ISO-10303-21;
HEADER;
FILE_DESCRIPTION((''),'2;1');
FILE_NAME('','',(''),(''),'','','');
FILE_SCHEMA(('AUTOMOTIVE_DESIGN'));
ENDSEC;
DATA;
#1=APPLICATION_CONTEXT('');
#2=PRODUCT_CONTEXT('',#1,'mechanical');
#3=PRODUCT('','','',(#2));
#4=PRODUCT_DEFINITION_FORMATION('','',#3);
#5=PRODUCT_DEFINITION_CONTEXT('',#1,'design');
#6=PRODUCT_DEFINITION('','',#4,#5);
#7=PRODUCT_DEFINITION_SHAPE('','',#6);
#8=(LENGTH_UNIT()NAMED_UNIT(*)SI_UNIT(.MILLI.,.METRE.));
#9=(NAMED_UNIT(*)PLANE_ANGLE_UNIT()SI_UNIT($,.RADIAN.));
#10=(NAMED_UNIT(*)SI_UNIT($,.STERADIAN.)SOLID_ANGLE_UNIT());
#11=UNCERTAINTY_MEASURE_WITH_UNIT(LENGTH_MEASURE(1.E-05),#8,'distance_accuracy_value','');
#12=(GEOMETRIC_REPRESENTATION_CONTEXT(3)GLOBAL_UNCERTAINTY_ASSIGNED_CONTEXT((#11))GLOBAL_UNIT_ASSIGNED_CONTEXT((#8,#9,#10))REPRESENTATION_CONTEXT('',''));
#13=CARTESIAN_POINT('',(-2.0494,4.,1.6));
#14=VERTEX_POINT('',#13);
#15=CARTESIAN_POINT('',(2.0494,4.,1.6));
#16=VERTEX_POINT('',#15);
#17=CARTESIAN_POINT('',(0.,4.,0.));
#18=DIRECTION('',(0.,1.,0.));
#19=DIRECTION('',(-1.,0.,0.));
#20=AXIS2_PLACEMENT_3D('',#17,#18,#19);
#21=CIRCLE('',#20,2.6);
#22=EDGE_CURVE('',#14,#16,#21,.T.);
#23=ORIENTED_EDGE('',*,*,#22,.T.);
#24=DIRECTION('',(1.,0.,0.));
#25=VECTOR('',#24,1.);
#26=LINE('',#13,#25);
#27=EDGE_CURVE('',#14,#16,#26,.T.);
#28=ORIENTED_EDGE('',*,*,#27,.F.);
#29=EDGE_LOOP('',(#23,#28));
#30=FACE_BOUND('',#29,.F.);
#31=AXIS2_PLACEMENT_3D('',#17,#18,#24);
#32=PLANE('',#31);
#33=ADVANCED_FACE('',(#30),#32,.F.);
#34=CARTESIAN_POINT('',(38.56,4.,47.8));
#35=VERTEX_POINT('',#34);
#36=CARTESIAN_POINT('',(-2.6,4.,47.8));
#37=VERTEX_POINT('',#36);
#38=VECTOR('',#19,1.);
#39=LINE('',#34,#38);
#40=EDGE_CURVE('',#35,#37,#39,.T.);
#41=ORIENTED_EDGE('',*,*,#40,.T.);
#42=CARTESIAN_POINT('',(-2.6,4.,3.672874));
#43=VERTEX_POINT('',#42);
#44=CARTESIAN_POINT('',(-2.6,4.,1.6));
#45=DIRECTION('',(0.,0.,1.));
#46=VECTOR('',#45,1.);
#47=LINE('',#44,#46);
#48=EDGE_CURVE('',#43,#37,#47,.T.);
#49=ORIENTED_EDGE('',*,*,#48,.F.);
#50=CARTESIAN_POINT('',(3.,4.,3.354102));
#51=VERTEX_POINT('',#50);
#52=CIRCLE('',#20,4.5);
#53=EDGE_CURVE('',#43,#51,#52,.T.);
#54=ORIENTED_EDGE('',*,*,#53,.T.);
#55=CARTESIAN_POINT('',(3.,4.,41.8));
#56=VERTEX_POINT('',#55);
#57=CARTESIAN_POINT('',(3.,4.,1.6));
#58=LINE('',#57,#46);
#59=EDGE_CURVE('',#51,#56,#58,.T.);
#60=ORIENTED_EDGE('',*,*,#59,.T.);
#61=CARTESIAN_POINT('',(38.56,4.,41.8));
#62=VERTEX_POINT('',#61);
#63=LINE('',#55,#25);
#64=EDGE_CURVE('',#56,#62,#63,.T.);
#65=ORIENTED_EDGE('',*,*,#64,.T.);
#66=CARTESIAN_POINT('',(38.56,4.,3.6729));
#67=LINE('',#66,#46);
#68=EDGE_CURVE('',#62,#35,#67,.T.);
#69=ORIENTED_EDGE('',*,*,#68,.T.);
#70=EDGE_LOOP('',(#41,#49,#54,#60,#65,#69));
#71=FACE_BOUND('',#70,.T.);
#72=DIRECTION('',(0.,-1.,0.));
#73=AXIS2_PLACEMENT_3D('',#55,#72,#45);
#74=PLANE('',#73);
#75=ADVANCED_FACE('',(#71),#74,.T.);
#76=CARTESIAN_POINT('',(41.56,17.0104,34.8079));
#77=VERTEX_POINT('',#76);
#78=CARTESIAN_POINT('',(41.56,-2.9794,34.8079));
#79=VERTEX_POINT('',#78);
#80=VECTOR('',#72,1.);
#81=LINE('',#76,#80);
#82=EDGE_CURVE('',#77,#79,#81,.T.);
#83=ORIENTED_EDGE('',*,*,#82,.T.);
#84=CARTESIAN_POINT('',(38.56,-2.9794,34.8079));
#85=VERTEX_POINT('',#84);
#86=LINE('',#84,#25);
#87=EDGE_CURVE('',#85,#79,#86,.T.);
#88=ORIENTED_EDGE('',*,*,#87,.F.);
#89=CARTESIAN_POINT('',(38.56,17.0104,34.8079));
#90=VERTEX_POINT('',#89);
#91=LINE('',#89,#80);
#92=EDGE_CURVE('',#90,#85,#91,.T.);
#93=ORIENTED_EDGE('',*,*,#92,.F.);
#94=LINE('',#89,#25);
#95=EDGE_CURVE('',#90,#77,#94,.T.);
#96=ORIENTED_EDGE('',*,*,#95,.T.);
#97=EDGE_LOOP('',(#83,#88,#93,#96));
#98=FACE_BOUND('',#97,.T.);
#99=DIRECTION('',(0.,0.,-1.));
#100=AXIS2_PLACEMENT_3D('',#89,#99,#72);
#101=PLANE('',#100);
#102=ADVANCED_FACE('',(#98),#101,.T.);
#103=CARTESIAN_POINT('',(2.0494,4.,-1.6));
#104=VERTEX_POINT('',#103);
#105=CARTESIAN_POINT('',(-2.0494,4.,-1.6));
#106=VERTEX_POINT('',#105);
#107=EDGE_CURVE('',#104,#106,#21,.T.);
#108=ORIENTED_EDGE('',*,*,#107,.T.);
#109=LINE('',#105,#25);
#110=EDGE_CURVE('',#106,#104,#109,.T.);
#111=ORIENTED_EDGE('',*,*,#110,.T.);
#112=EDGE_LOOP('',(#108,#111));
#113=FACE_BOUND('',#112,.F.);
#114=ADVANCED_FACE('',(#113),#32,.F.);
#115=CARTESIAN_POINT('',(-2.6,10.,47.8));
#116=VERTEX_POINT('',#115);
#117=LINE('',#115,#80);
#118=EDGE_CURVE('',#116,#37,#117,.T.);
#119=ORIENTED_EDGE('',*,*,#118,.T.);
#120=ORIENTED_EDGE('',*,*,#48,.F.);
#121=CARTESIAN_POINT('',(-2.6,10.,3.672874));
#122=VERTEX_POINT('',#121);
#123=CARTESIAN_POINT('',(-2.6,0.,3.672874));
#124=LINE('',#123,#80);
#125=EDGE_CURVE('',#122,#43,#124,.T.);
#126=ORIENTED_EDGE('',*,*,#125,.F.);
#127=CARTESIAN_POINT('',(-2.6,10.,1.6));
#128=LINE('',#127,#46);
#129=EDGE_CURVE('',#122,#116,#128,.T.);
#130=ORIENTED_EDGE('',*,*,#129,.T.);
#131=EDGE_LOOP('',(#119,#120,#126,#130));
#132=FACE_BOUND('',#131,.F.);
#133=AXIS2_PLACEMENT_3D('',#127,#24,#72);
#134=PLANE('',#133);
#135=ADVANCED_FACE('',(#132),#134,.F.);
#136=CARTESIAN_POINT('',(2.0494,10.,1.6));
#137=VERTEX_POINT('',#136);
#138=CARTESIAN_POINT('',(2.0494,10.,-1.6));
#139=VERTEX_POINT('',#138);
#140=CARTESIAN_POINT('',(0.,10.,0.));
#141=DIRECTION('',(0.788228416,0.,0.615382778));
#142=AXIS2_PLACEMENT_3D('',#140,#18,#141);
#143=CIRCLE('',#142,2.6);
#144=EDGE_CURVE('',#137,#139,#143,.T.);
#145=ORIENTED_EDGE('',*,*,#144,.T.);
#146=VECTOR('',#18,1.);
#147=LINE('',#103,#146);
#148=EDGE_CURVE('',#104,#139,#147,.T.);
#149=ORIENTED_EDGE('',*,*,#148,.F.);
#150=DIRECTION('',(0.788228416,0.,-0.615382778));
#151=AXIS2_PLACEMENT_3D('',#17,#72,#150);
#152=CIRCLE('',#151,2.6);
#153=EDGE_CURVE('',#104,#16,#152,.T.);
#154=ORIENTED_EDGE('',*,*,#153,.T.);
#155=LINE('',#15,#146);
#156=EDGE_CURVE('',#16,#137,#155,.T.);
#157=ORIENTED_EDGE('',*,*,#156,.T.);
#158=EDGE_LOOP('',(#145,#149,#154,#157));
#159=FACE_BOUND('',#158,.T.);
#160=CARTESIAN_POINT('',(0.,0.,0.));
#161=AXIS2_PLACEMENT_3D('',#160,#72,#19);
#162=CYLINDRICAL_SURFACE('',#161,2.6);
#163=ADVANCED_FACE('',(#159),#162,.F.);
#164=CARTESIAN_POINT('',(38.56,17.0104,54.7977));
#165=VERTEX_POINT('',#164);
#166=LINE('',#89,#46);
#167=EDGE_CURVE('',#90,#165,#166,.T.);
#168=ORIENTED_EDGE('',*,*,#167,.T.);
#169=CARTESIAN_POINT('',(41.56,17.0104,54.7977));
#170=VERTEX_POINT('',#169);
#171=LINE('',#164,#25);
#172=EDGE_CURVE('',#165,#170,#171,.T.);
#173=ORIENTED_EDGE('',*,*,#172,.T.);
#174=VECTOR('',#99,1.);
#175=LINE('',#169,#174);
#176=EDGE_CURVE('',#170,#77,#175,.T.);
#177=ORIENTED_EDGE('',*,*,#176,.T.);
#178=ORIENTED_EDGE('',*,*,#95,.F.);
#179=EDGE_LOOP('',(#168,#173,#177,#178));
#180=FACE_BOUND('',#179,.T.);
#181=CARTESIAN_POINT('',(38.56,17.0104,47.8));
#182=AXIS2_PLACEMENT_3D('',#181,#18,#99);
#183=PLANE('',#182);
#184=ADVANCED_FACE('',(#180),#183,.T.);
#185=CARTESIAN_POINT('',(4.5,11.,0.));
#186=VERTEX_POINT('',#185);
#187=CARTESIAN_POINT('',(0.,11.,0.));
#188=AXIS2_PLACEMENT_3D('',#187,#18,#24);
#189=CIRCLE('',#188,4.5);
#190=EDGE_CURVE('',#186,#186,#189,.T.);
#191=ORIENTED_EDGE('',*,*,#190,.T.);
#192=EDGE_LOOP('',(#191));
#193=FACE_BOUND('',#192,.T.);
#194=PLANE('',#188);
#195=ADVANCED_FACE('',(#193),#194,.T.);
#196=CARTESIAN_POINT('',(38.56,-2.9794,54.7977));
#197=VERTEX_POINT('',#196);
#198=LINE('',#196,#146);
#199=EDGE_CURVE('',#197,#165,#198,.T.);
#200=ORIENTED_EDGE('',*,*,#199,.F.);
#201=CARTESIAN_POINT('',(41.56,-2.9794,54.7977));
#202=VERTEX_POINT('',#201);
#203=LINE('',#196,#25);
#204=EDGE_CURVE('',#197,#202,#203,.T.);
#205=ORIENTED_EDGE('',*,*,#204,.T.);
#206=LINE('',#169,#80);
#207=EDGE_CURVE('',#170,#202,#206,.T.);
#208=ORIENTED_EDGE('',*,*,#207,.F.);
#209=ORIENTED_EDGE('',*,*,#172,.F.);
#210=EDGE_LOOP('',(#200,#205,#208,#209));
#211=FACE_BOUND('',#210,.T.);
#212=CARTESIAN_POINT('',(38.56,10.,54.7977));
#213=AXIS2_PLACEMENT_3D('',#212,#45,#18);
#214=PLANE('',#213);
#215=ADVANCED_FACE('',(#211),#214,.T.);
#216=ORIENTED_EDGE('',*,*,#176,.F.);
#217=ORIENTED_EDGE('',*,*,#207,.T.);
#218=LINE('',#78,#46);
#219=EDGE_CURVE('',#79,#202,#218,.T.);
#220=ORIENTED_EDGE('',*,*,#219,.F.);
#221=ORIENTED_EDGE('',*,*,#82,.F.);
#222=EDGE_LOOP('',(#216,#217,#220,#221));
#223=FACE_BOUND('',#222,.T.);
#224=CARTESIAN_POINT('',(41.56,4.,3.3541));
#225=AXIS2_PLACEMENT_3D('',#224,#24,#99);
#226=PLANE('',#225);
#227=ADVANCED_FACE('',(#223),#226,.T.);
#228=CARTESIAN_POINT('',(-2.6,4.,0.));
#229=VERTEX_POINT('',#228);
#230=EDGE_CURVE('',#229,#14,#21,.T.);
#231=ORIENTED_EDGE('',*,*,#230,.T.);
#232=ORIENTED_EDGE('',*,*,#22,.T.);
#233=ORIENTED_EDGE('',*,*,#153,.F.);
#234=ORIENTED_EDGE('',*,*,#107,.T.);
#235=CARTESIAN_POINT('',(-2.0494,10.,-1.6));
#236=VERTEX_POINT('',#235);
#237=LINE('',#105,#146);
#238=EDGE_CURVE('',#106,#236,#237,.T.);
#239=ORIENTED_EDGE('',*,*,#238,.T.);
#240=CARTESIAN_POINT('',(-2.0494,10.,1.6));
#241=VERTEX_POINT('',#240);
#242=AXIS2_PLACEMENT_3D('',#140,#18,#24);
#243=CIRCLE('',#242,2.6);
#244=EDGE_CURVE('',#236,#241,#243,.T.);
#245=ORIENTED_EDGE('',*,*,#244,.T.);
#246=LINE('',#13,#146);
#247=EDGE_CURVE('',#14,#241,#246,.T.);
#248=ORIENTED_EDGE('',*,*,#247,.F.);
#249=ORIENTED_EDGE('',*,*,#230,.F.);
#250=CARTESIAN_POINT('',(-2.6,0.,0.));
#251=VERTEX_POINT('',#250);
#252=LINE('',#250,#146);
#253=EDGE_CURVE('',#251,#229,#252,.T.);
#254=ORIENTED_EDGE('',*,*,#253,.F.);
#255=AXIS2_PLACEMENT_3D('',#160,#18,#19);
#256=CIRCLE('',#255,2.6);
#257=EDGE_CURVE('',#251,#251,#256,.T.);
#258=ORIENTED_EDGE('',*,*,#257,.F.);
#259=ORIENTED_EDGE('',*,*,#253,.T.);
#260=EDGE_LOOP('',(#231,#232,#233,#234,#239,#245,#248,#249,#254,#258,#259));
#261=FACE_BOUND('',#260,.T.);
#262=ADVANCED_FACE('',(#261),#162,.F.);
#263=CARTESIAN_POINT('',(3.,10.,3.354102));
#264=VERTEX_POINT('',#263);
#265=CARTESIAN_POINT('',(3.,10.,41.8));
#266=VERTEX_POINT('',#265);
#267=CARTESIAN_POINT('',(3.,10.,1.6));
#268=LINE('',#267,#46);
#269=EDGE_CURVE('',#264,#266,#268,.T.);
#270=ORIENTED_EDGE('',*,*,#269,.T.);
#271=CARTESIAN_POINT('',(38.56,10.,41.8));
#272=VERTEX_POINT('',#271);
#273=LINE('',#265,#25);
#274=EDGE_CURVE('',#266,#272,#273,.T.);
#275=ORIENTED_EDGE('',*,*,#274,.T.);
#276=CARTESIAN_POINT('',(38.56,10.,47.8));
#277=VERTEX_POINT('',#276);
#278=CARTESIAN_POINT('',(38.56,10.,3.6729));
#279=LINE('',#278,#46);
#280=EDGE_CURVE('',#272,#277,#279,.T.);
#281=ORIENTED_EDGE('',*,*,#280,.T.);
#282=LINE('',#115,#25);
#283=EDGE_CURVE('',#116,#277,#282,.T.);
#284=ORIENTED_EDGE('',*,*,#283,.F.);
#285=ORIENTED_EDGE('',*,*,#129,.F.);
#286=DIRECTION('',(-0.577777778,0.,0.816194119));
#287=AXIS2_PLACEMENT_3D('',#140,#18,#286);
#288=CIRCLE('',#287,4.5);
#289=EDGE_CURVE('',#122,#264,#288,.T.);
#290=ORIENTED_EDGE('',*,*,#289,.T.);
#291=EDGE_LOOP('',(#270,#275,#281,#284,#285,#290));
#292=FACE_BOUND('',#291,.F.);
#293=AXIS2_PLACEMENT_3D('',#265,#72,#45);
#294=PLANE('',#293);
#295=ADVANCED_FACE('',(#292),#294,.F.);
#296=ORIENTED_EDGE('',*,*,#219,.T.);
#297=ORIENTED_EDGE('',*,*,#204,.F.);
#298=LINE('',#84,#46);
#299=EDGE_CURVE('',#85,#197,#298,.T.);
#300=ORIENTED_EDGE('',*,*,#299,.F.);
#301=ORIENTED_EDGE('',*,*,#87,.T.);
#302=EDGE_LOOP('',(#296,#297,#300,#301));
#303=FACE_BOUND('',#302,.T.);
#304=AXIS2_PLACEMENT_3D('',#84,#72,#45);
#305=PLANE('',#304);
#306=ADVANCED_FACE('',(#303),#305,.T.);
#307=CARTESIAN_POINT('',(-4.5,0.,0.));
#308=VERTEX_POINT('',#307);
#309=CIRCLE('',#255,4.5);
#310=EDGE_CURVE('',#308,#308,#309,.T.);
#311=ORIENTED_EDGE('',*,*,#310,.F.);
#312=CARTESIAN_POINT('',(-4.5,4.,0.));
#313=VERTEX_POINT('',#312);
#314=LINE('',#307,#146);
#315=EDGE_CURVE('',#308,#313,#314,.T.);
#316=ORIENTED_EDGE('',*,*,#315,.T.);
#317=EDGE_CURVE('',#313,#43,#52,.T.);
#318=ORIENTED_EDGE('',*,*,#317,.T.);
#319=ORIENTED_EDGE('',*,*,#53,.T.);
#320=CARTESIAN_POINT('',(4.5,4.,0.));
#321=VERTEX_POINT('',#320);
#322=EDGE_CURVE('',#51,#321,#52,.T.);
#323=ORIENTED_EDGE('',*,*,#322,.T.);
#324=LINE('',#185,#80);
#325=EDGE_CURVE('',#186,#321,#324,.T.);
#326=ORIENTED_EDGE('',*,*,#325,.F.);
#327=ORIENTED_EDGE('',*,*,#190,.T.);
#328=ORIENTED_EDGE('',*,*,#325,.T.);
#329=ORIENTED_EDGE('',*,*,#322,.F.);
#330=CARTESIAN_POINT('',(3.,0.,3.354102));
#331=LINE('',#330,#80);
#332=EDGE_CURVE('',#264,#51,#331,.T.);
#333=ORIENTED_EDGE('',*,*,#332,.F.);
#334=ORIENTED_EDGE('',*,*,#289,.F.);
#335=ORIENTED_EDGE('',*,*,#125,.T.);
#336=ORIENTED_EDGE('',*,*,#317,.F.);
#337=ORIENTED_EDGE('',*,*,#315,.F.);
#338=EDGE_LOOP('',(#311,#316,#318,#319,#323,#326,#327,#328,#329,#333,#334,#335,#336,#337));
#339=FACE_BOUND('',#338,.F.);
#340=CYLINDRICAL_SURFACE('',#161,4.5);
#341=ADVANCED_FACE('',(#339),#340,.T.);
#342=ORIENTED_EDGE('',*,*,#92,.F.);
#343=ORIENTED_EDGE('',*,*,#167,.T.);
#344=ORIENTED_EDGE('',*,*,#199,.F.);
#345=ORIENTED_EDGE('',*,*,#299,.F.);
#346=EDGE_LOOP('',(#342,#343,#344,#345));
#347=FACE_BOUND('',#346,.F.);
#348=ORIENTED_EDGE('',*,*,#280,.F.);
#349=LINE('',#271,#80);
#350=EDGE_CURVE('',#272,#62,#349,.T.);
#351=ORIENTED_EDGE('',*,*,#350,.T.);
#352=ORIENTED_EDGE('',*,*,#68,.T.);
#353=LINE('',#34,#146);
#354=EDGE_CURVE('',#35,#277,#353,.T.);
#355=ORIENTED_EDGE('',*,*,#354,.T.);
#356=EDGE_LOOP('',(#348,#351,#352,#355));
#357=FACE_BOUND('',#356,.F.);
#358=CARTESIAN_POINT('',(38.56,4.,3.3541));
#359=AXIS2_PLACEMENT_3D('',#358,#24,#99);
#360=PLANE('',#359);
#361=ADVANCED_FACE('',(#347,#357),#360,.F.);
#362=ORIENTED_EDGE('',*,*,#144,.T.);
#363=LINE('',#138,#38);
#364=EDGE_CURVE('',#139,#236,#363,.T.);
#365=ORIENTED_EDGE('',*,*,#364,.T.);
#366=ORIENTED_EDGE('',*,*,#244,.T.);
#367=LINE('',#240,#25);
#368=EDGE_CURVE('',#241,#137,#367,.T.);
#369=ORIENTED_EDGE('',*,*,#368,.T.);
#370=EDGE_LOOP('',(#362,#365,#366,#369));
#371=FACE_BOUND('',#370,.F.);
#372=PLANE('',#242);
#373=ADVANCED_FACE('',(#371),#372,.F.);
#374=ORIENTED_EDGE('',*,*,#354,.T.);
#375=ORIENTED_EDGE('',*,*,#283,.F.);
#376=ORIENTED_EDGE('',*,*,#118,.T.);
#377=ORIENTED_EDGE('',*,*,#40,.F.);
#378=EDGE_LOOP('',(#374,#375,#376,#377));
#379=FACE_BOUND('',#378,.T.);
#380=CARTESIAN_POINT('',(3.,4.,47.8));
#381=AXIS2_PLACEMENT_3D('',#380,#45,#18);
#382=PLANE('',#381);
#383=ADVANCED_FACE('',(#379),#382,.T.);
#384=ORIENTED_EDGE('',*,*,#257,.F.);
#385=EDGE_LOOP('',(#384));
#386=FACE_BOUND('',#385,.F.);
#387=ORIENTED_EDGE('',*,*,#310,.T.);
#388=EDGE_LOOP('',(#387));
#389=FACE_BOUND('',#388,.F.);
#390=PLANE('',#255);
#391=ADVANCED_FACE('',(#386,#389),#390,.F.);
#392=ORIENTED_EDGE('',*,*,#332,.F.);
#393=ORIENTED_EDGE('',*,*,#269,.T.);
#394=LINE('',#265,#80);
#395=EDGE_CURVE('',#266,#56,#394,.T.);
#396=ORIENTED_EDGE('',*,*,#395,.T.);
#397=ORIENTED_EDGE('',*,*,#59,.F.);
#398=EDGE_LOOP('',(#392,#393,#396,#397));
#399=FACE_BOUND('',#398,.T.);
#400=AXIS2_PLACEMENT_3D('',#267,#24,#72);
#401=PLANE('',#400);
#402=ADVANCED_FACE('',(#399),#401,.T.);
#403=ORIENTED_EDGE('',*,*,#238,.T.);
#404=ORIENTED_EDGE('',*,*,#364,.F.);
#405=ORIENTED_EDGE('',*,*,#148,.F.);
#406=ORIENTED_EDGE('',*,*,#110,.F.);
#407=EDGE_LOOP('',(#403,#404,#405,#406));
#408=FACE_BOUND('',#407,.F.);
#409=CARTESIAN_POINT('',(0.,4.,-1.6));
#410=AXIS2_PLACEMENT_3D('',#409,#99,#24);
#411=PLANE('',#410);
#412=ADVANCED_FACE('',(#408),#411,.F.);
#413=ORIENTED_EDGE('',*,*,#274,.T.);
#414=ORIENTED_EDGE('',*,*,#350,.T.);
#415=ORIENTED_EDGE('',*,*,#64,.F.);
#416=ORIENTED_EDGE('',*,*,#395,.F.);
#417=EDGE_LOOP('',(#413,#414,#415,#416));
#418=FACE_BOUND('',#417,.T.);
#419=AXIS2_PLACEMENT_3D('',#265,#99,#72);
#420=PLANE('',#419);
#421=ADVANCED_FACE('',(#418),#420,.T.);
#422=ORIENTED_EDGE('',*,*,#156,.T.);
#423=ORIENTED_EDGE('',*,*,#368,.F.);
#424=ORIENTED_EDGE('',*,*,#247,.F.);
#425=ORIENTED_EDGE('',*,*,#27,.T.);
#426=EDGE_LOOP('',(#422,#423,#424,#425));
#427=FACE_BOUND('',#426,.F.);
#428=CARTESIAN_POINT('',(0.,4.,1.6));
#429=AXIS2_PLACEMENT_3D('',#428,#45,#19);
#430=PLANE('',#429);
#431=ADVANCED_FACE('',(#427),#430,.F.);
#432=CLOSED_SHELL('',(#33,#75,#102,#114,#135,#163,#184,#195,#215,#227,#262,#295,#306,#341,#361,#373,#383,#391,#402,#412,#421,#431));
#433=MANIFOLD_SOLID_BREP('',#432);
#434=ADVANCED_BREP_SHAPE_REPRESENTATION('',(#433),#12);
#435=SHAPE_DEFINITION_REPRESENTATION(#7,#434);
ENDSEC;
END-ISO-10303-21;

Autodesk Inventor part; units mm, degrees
ref_plane "YZ Plane" through (0, 0, 0) normal (1, 0, 0) x (0, 1, 0)
ref_plane "XZ Plane" through (0, 0, 0) normal (0, 1, 0) x (-1, 0, 0)
ref_plane "XY Plane" through (0, 0, 0) normal (0, 0, 1) x (1, 0, 0)
sketch "Sketch3" plane through (0, 0, 0) normal (0, 1, 0) x (-1, 0, 0)
  circle A0 centre (0, 0) radius 4.5
  circle A1 centre (0, 0) radius 2.6
  dimension "d10" = 9
  dimension "d11" = 5.2
extrude "Extrusion2" add sketch "Sketch3" along normal blind 4
sketch "Sketch4" plane through (0, 4, 0) normal (0, 1, 0) x (1, 0, 0)
  circle A0 centre (0, 0) radius 2.6 projected
  line L0 (0, -2.6) -> (0, -1.6)
  line L1 (0, -1.6) -> (0, 2.6)
  line L2 (0, -1.6) -> (-2.0494, -1.6)
  line L3 (0, -1.6) -> (2.0494, -1.6)
  line L4 (0, 2.6) -> (0, 2.6)
  line L5 (0, 2.6) -> (0, 2.6)
  circle A1 centre (0, 0) radius 4.5 projected
  circle A2 centre (0, 0) radius 2.6 projected
  line L6 (0, 2.6) -> (0, 1.6)
  line L7 (0, 1.6) -> (2.0494, 1.6)
  line L8 (0, 1.6) -> (-2.0494, 1.6)
  point P0 (2.0494, 1.6)
  point P1 (-2.0494, 1.6)
  dimension "d14" = 1
  dimension "d20" = 1
extrude "Extrusion3" add sketch "Sketch4" along normal blind 6 contours L7 L1 A0 | A0 L0 L3 | L1 L8 A0 | A0 L2 L0 | A1
sketch "Sketch5" plane through (0, 10, 0) normal (0, 1, 0) x (1, 0, 0)
  circle A0 centre (0, 0) radius 4.5 projected
extrude "Extrusion4" add sketch "Sketch5" along normal blind 1
sketch "Sketch6" plane through (2.0494, 4, 1.6) normal (0, 0, -1) x (-1, 0, 0)
  line L0 (4.0988, 6) -> (0, 6) projected
  line L1 (2.0494, 6) -> (2.0494, 3)
  line L2 (2.0494, 6) -> (5.0494, 6) construction
  line L3 (2.0494, 6) -> (-0.9506, 6)
  line L4 (2.0494, 6) -> (5.0494, 6) construction
  line L5 (-0.9506, 6) -> (-0.9506, 0)
  line L6 (-0.9506, 0) -> (5.0494, 0)
  line L7 (5.0494, 0) -> (5.0494, 6)
  line L8 (5.0494, 6) -> (-0.9506, 6)
  line L9 (4.6494, 6) -> (4.6494, -4) projected
  point P0 (2.0494, -4)
  point P1 (4.6494, 0)
  point P2 (0, 6)
  dimension "d21" = 3
  dimension "d22" = 90
  dimension "d32" = 3
  dimension "d33" = 180
  dimension "d34" = 6
  dimension "d35" = 90
  dimension "d36" = 6
  dimension "d37" = 90
extrude "Extrusion7" add sketch "Sketch6" against normal blind 46.2 contours L8 L9 L6 L5 L3 L0
sketch "Sketch8" plane through (3, 4, 3.3541) normal (1, 0, 0) x (0, 0, -1)
  line L0 (-0.3188, 6) -> (-44.4459, 6) projected
  line L1 (-44.4459, 6) -> (-38.4459, 6)
  line L2 (-38.4459, 6) -> (-38.4459, 0)
  line L3 (-0.3188, 0) -> (-44.4459, 0) projected
  line L4 (0, 6) -> (0, 0) projected
  line L5 (0, 6) -> (-44.4459, 6) projected
  line L6 (-44.4459, 0) -> (-44.4459, 6) projected
  line L7 (0, 0) -> (-44.4459, 0) projected
  point P0 (3.3541, -4)
  dimension "d40" = 6
extrude "Extrusion8" add sketch "Sketch8" along normal blind 35.56 contours L2 L3 L6 L0
sketch "Sketch11" plane through (38.56, 4, 3.3541) normal (1, 0, 0) x (0, 0, -1)
  line L0 (-44.4459, 6) -> (-44.4459, 0) projected
  line L1 (-44.4459, 6) -> (-51.4436, 6)
  line L2 (-51.4436, 6) -> (-51.4436, 13.0104)
  line L3 (-51.4436, 13.0104) -> (-44.4459, 13.0104)
  line L4 (-44.4459, 13.0104) -> (-44.4459, 6)
  line L5 (-51.4436, 13.0104) -> (-31.4538, 13.0104)
  line L6 (-31.4538, 13.0104) -> (-31.4538, -6.9794)
  line L7 (-31.4538, -6.9794) -> (-51.4436, -6.9794)
  line L8 (-51.4436, -6.9794) -> (-51.4436, 13.0104)
  point P0 (3.3541, -4)
  dimension "d59" = 6.9977
  dimension "d60" = 7.0104
  dimension "d61" = 19.9898
  dimension "d62" = 19.9898
extrude "Extrusion11" add sketch "Sketch11" along normal blind 3
properties part number "socket"
